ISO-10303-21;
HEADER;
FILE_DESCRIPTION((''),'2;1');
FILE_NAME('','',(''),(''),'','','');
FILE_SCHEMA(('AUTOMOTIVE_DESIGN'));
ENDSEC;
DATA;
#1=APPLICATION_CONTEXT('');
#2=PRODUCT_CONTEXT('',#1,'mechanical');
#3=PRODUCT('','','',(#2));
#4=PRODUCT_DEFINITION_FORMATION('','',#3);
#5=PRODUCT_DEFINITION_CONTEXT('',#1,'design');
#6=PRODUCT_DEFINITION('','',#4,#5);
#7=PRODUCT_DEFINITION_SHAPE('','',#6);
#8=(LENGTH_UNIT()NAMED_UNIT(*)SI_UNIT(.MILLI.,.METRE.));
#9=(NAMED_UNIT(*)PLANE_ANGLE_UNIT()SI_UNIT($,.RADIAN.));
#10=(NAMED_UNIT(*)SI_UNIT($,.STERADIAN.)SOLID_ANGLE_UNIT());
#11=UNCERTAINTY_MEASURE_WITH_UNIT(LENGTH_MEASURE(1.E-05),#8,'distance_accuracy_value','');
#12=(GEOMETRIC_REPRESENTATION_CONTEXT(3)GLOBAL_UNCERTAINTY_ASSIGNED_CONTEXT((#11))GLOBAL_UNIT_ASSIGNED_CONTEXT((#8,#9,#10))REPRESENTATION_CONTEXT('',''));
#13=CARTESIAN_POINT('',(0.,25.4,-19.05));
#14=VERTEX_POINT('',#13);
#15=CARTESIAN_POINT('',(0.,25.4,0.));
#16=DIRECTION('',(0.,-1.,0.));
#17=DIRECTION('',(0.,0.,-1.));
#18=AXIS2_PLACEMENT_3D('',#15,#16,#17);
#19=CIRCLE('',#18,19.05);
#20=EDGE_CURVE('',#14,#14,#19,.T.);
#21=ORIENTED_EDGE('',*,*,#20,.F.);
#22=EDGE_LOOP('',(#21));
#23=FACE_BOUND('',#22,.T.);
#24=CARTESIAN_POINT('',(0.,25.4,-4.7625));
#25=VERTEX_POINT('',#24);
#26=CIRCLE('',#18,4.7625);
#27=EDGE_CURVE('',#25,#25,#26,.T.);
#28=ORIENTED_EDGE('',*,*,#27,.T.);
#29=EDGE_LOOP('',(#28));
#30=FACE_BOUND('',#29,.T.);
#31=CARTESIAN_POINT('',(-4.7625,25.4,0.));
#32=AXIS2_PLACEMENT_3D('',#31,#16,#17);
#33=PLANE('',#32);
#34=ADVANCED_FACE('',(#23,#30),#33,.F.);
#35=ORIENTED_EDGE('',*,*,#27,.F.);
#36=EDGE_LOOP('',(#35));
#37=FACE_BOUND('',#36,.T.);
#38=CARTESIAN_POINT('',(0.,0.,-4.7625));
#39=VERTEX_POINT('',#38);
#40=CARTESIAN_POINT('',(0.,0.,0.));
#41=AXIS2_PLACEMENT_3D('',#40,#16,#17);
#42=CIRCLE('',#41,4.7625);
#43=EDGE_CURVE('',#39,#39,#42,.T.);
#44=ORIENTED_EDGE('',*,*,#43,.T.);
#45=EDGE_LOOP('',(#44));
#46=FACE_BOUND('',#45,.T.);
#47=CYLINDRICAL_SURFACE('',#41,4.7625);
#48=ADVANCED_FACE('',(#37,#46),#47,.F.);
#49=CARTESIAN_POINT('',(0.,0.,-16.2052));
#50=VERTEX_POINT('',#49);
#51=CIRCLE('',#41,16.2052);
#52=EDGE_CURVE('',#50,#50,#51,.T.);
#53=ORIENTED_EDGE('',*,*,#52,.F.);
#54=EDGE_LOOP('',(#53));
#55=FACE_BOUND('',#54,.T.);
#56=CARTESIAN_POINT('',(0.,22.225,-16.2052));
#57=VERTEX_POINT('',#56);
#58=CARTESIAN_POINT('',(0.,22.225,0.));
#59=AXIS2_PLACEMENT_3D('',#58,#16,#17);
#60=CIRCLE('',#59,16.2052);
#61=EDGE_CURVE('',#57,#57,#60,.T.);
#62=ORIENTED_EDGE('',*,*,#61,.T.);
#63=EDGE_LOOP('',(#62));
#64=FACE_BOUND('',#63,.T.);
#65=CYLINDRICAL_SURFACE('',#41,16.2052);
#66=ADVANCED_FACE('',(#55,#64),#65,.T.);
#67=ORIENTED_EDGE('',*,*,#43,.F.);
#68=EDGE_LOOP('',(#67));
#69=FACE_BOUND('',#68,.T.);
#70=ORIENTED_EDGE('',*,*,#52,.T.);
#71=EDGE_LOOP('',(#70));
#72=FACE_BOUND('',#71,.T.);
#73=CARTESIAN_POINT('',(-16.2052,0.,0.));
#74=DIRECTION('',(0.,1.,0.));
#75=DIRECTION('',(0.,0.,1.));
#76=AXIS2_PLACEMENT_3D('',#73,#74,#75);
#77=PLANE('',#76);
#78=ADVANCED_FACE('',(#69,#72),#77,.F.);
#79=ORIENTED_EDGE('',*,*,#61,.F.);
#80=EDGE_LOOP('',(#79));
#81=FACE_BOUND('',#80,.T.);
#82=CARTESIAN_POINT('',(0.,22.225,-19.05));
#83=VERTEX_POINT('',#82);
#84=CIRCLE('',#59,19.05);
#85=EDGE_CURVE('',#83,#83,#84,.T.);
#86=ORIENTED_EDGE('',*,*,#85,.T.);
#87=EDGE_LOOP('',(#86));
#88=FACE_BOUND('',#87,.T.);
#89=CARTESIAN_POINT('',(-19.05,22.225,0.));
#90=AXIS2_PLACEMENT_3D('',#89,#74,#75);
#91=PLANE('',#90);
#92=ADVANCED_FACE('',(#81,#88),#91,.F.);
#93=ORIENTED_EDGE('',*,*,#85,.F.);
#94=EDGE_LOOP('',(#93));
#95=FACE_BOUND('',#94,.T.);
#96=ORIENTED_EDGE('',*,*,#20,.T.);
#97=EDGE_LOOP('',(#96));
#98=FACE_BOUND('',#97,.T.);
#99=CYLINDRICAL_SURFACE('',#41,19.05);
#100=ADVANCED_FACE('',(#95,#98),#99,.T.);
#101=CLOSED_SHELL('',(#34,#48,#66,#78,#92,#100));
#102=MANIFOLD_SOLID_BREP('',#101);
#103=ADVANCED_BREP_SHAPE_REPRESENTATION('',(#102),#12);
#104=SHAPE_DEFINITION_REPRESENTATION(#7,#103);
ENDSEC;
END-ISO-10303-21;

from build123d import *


with BuildPart() as part:
    # Sketch3 → Revolve1 (revolve)
    with BuildSketch(Plane.XY, mode=Mode.PRIVATE) as revolve1_sk:
        Polygon((-4.7625, 0), (-4.7625, 25.4), (-19.05, 25.4), (-19.05, 22.225), (-16.2052, 22.225), (-16.2052, 0), align=None)
    revolve(revolve1_sk.sketch.rotate(Axis((0, 0, 0), (0, 1, 0)), 270), axis=Axis((0, 0, 0), (0, 1, 0)))


solid = part.part
